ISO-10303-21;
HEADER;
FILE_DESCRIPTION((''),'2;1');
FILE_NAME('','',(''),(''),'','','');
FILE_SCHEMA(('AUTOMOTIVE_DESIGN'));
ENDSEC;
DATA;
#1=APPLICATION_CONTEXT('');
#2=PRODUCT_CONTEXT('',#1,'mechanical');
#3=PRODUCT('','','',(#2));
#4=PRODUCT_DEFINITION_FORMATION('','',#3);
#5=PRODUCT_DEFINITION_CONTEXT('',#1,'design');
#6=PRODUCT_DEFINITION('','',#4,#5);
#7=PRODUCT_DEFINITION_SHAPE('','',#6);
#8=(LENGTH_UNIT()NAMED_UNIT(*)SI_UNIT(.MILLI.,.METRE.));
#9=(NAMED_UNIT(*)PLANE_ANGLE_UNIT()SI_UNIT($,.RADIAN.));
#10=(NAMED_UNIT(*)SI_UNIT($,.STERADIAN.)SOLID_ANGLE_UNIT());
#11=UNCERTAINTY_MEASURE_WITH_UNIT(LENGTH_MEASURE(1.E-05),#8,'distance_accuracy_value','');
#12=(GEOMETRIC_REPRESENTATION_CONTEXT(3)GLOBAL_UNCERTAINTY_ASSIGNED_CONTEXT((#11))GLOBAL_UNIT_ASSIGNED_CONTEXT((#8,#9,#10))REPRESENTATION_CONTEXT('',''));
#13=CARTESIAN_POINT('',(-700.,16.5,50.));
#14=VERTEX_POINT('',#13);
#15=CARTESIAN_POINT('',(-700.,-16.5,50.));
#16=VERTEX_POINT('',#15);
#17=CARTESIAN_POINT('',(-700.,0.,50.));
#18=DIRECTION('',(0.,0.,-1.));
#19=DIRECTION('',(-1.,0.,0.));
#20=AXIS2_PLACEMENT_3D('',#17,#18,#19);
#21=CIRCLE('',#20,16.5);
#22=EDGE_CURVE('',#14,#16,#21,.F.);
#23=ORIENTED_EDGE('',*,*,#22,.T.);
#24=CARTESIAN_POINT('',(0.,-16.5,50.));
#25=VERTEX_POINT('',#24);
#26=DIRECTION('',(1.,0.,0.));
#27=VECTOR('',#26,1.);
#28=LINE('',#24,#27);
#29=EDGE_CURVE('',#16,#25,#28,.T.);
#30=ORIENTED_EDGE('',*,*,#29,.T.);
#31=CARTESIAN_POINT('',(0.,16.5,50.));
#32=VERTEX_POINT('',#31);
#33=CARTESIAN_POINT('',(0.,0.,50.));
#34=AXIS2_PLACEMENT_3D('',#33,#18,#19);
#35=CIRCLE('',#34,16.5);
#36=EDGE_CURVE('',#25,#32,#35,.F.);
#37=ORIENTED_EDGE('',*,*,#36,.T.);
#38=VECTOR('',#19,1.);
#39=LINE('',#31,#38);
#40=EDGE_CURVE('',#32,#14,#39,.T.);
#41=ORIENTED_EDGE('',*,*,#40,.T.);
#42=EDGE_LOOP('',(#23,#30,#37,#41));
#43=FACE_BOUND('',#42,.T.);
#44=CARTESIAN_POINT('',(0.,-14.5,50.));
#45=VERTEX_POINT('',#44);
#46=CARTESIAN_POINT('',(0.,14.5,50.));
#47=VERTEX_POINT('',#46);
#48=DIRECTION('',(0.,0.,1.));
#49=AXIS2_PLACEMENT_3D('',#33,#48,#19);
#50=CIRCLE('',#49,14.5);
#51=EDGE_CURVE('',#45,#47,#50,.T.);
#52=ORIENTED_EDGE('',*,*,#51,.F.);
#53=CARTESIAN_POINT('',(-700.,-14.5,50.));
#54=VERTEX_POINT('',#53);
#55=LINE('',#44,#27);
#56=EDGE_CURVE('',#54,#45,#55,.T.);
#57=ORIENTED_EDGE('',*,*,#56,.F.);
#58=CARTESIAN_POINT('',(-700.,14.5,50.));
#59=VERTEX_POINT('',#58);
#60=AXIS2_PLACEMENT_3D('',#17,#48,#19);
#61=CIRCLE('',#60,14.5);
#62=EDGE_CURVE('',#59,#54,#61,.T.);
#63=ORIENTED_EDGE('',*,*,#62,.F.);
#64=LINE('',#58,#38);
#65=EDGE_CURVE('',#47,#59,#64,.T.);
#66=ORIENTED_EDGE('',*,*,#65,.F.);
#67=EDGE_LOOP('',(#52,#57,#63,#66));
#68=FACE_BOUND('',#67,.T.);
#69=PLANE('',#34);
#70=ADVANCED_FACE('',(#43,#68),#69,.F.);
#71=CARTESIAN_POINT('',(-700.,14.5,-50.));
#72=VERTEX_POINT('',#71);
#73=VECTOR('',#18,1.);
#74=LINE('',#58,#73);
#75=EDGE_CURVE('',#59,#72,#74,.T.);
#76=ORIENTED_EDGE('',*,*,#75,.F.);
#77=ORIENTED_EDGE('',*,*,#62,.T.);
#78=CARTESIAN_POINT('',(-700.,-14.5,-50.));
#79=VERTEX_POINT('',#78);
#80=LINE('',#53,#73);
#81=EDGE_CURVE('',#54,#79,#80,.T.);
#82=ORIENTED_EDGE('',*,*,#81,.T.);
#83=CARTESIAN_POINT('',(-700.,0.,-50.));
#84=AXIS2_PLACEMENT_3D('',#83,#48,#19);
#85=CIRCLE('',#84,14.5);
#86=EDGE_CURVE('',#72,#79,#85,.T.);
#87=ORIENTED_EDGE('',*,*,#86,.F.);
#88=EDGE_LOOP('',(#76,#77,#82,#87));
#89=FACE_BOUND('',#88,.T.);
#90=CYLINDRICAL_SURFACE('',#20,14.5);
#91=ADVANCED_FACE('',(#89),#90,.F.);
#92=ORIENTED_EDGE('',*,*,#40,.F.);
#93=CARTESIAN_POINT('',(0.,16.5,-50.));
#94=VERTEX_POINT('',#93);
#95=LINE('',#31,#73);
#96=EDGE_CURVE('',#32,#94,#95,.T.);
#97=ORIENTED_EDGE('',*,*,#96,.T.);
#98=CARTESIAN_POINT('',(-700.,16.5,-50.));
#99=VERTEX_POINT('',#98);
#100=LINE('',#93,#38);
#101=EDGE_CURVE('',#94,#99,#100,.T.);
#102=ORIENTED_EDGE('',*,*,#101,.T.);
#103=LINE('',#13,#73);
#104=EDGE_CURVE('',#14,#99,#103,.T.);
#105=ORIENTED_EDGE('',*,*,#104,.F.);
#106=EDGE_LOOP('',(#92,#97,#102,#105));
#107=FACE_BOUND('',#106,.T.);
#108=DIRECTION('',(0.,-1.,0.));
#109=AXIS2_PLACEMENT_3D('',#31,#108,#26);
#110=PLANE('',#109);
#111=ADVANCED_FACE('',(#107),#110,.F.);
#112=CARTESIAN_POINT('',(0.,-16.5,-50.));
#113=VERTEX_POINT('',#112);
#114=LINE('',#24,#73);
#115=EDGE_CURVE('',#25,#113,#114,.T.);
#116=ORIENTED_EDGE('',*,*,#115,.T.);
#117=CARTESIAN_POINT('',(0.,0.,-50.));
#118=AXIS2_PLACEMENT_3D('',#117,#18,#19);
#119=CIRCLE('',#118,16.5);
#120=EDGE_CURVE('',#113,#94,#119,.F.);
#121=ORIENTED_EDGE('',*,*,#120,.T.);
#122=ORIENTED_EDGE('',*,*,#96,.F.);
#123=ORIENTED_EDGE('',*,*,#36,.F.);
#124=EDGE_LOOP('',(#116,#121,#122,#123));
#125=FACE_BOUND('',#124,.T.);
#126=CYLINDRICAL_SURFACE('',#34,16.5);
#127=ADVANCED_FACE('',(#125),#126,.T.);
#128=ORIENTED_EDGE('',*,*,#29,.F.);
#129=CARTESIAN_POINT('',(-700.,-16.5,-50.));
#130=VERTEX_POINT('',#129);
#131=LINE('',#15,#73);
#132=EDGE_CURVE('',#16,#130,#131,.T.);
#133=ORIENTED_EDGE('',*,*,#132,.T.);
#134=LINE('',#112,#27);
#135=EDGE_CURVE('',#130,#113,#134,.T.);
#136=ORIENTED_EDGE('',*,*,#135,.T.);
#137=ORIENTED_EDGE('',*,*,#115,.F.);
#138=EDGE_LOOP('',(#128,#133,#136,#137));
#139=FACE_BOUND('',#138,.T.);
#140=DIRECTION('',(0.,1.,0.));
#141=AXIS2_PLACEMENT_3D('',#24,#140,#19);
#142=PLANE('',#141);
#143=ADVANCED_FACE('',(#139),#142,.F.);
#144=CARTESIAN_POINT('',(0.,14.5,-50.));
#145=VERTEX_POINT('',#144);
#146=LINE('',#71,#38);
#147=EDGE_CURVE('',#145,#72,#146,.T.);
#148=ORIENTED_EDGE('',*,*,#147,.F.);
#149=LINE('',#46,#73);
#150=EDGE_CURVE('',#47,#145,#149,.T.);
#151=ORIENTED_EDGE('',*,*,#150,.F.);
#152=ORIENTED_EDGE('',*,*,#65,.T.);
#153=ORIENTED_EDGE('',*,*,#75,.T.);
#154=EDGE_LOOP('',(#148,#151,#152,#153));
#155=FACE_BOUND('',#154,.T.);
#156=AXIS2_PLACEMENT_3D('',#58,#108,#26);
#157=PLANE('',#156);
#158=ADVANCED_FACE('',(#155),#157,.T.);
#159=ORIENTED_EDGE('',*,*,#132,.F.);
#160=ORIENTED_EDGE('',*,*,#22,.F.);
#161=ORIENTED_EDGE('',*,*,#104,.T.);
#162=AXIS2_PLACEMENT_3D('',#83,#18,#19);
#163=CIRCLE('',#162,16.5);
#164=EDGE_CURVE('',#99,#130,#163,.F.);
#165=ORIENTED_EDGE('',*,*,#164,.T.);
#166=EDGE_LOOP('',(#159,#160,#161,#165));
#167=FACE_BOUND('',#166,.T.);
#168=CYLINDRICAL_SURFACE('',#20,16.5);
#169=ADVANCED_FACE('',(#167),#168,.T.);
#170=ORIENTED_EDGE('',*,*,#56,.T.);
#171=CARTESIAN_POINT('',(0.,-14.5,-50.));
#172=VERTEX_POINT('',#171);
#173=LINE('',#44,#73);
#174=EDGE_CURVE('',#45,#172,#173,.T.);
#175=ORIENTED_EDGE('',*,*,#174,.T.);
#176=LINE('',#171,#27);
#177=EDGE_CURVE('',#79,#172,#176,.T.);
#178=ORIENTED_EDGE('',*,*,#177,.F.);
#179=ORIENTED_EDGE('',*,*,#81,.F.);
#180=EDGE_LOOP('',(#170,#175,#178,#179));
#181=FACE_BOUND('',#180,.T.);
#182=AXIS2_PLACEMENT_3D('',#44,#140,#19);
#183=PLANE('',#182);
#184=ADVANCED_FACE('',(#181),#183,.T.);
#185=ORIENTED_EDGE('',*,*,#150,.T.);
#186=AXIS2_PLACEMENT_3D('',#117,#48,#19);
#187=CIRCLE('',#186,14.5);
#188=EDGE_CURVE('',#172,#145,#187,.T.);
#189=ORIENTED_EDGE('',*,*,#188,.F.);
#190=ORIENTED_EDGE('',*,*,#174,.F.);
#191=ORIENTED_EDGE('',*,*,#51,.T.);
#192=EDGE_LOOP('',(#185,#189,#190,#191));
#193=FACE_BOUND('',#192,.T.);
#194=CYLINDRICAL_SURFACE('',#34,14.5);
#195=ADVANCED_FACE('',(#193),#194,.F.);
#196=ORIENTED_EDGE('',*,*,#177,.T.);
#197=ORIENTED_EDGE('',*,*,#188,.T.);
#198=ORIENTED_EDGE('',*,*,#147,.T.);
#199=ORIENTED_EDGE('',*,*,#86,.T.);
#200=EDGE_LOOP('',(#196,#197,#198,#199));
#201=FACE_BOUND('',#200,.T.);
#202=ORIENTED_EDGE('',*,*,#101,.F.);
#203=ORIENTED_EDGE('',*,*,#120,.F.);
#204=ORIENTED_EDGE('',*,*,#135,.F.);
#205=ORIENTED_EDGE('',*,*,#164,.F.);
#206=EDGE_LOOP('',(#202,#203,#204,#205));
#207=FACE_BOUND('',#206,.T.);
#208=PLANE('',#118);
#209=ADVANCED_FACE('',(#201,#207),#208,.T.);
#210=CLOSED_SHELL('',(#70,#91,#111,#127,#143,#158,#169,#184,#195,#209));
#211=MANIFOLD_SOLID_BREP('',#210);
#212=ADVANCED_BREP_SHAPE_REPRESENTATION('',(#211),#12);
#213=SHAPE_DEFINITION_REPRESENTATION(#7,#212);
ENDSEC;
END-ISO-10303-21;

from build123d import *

# Parameters (mm, degrees)
EXTRUDE_THIN1_DEPTH = 50


with BuildPart() as part:
    # Sketch2 → Extrude-Thin1 (new, symmetric)
    with BuildSketch(Plane.XY):
        with BuildLine():
            Line((-700, 16.5), (0, 16.5))
            ThreePointArc((0, 16.5), (16.5, 0), (0, -16.5))
            Line((0, -16.5), (-700, -16.5))
            ThreePointArc((-700, -16.5), (-716.5, 0), (-700, 16.5))
        make_face()
        with BuildLine():
            Line((-700, 14.5), (0, 14.5))
            ThreePointArc((0, 14.5), (14.5, 0), (0, -14.5))
            Line((0, -14.5), (-700, -14.5))
            ThreePointArc((-700, -14.5), (-714.5, 0), (-700, 14.5))
        make_face(mode=Mode.SUBTRACT)
    extrude(amount=EXTRUDE_THIN1_DEPTH, both=True)


solid = part.part
